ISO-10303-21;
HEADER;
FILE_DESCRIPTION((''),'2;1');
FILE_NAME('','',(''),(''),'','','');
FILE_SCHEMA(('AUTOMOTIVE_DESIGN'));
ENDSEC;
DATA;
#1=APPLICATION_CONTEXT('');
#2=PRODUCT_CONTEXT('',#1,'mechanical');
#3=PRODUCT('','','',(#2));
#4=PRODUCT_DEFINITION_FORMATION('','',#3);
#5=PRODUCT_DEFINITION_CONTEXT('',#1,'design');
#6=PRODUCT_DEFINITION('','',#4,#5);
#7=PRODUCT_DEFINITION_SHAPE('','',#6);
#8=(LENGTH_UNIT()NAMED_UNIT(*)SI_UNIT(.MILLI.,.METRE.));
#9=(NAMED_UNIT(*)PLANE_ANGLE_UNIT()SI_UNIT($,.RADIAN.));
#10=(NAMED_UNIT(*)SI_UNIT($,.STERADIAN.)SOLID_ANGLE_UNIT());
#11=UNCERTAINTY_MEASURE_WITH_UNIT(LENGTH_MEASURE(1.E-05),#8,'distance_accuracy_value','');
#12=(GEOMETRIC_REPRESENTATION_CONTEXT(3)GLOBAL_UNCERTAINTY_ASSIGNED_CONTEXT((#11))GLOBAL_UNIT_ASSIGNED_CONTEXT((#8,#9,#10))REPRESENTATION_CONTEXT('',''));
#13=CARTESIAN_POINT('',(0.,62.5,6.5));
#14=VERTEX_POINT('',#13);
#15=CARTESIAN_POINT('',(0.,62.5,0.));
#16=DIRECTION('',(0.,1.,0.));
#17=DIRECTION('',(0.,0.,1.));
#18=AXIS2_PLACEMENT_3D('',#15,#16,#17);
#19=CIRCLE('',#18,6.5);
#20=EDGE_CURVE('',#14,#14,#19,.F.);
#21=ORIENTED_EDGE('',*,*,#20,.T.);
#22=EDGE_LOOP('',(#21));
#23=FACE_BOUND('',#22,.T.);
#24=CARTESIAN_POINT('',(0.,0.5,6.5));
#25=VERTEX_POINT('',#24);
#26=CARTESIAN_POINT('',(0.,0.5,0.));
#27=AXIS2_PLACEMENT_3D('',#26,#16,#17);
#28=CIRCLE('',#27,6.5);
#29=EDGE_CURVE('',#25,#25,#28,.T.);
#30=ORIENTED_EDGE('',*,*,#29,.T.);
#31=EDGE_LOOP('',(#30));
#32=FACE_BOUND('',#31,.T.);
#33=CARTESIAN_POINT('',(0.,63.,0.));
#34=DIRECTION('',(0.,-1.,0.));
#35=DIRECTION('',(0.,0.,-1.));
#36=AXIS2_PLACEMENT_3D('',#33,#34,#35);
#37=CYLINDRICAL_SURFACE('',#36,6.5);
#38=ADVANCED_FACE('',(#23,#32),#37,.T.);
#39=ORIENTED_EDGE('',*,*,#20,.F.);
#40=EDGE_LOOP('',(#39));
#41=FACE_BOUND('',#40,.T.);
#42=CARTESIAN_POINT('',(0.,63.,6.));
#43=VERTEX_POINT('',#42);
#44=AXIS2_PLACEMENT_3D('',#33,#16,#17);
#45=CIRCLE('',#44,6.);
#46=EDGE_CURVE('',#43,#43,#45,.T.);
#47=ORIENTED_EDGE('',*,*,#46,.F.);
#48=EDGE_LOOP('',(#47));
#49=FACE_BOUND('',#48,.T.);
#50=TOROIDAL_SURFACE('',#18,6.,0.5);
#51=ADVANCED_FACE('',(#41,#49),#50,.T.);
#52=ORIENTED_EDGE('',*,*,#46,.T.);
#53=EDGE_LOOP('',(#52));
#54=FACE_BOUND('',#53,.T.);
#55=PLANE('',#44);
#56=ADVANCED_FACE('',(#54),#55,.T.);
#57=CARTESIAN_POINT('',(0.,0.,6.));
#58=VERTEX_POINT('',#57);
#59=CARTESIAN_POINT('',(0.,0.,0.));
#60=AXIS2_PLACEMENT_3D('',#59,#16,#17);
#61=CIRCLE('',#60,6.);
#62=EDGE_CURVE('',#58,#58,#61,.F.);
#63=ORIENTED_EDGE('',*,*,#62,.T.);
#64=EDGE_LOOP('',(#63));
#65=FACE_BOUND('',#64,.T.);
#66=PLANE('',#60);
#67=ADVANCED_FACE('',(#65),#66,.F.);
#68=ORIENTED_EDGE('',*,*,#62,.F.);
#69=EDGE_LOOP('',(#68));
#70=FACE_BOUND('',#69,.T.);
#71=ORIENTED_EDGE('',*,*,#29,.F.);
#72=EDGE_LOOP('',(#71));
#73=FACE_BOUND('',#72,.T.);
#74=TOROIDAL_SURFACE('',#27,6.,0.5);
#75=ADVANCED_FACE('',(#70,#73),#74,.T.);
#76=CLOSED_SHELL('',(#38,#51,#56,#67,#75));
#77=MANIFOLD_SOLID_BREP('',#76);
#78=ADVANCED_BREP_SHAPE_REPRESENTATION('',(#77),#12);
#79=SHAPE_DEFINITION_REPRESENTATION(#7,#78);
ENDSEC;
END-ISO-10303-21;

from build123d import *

# Parameters (mm, degrees)
SKETCH1_R           = 6.5
BOSS_EXTRUDE1_DEPTH = 63
FILLET1_R           = 0.5


with BuildPart() as part:
    # Sketch1 → Boss-Extrude1 (new body)
    with BuildSketch(Plane(origin=(0, 0, 0), x_dir=(1, 0, 0), z_dir=(0, 1, 0))):
        Circle(SKETCH1_R)
    extrude(amount=BOSS_EXTRUDE1_DEPTH)

    # Fillet1
    fillet1_edges = [part.edges().sort_by_distance(p)[0] for p in [
        (-6.5, 0, 0),
        (-6.5, 63, 0),
    ]]
    fillet(fillet1_edges, radius=FILLET1_R)


solid = part.part
